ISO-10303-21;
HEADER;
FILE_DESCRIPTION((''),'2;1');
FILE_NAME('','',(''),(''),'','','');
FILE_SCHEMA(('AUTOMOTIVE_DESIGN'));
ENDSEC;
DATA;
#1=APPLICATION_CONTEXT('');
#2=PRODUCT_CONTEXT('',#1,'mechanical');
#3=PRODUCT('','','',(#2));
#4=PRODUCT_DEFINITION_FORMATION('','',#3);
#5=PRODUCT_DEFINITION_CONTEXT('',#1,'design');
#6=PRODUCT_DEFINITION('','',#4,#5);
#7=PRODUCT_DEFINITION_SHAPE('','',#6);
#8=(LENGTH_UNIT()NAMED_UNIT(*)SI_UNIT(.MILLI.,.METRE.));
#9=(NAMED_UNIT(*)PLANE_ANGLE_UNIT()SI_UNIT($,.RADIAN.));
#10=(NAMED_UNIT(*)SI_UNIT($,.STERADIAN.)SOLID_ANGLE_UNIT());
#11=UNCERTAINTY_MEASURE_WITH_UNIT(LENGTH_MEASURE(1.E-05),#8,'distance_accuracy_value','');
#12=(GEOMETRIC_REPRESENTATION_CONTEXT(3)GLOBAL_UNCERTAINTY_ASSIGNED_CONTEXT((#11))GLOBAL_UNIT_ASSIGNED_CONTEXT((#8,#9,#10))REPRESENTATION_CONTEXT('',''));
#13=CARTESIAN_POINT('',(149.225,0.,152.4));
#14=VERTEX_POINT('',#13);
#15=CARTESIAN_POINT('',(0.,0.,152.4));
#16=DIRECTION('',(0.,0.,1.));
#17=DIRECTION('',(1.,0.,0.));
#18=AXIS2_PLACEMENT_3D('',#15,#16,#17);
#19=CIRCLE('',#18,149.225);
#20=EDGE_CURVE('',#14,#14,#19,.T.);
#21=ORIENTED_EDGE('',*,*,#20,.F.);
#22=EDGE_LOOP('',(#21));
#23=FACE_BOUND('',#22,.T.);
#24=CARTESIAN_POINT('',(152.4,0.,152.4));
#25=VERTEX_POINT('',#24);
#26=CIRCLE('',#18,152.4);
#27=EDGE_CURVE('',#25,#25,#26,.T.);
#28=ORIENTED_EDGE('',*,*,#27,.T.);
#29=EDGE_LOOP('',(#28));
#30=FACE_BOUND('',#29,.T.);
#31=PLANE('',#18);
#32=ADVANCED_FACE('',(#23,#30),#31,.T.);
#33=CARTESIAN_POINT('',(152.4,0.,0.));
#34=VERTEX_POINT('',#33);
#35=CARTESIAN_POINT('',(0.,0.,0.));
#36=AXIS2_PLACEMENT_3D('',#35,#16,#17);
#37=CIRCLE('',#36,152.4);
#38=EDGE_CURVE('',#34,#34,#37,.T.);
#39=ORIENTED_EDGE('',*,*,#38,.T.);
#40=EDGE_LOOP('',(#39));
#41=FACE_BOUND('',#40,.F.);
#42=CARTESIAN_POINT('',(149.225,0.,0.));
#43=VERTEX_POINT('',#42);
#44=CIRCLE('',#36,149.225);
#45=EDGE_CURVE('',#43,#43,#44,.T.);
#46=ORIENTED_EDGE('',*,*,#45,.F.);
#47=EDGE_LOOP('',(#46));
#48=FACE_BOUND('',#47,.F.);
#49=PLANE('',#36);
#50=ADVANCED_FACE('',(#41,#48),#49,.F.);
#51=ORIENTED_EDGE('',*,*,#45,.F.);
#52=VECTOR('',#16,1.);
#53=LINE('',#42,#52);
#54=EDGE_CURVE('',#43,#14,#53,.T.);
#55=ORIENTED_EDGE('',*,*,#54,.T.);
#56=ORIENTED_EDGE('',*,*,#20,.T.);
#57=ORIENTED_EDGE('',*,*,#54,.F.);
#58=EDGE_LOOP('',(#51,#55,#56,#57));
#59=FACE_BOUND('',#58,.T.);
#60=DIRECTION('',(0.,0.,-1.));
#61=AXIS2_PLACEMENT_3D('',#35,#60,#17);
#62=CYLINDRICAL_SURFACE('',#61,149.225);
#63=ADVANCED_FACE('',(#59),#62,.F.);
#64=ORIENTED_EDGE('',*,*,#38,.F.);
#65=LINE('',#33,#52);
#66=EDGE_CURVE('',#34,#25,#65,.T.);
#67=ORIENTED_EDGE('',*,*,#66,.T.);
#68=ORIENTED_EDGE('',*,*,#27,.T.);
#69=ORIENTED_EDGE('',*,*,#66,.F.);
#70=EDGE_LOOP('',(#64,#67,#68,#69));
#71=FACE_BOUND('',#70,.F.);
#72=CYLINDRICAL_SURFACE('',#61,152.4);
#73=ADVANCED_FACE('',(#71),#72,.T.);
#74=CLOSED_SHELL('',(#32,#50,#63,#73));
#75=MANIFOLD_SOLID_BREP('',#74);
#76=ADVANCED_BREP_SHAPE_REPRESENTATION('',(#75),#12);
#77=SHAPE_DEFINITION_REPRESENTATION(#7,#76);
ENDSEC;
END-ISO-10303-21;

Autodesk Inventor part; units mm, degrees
ref_plane "YZ Plane" through (0, 0, 0) normal (1, 0, 0) x (0, 1, 0)
ref_plane "XZ Plane" through (0, 0, 0) normal (0, 1, 0) x (-1, 0, 0)
ref_plane "XY Plane" through (0, 0, 0) normal (0, 0, 1) x (1, 0, 0)
sketch "Sketch1" plane through (0, 0, 0) normal (0, 0, 1) x (1, 0, 0)
  circle A0 centre (0, 0) radius 152.4
  circle A1 centre (0, 0) radius 149.225
  dimension "d0" = 304.8
  dimension "d1" = 298.45
extrude "Extrusion1" add sketch "Sketch1" along normal blind 152.4
properties part number "polycarb hopper walls"
